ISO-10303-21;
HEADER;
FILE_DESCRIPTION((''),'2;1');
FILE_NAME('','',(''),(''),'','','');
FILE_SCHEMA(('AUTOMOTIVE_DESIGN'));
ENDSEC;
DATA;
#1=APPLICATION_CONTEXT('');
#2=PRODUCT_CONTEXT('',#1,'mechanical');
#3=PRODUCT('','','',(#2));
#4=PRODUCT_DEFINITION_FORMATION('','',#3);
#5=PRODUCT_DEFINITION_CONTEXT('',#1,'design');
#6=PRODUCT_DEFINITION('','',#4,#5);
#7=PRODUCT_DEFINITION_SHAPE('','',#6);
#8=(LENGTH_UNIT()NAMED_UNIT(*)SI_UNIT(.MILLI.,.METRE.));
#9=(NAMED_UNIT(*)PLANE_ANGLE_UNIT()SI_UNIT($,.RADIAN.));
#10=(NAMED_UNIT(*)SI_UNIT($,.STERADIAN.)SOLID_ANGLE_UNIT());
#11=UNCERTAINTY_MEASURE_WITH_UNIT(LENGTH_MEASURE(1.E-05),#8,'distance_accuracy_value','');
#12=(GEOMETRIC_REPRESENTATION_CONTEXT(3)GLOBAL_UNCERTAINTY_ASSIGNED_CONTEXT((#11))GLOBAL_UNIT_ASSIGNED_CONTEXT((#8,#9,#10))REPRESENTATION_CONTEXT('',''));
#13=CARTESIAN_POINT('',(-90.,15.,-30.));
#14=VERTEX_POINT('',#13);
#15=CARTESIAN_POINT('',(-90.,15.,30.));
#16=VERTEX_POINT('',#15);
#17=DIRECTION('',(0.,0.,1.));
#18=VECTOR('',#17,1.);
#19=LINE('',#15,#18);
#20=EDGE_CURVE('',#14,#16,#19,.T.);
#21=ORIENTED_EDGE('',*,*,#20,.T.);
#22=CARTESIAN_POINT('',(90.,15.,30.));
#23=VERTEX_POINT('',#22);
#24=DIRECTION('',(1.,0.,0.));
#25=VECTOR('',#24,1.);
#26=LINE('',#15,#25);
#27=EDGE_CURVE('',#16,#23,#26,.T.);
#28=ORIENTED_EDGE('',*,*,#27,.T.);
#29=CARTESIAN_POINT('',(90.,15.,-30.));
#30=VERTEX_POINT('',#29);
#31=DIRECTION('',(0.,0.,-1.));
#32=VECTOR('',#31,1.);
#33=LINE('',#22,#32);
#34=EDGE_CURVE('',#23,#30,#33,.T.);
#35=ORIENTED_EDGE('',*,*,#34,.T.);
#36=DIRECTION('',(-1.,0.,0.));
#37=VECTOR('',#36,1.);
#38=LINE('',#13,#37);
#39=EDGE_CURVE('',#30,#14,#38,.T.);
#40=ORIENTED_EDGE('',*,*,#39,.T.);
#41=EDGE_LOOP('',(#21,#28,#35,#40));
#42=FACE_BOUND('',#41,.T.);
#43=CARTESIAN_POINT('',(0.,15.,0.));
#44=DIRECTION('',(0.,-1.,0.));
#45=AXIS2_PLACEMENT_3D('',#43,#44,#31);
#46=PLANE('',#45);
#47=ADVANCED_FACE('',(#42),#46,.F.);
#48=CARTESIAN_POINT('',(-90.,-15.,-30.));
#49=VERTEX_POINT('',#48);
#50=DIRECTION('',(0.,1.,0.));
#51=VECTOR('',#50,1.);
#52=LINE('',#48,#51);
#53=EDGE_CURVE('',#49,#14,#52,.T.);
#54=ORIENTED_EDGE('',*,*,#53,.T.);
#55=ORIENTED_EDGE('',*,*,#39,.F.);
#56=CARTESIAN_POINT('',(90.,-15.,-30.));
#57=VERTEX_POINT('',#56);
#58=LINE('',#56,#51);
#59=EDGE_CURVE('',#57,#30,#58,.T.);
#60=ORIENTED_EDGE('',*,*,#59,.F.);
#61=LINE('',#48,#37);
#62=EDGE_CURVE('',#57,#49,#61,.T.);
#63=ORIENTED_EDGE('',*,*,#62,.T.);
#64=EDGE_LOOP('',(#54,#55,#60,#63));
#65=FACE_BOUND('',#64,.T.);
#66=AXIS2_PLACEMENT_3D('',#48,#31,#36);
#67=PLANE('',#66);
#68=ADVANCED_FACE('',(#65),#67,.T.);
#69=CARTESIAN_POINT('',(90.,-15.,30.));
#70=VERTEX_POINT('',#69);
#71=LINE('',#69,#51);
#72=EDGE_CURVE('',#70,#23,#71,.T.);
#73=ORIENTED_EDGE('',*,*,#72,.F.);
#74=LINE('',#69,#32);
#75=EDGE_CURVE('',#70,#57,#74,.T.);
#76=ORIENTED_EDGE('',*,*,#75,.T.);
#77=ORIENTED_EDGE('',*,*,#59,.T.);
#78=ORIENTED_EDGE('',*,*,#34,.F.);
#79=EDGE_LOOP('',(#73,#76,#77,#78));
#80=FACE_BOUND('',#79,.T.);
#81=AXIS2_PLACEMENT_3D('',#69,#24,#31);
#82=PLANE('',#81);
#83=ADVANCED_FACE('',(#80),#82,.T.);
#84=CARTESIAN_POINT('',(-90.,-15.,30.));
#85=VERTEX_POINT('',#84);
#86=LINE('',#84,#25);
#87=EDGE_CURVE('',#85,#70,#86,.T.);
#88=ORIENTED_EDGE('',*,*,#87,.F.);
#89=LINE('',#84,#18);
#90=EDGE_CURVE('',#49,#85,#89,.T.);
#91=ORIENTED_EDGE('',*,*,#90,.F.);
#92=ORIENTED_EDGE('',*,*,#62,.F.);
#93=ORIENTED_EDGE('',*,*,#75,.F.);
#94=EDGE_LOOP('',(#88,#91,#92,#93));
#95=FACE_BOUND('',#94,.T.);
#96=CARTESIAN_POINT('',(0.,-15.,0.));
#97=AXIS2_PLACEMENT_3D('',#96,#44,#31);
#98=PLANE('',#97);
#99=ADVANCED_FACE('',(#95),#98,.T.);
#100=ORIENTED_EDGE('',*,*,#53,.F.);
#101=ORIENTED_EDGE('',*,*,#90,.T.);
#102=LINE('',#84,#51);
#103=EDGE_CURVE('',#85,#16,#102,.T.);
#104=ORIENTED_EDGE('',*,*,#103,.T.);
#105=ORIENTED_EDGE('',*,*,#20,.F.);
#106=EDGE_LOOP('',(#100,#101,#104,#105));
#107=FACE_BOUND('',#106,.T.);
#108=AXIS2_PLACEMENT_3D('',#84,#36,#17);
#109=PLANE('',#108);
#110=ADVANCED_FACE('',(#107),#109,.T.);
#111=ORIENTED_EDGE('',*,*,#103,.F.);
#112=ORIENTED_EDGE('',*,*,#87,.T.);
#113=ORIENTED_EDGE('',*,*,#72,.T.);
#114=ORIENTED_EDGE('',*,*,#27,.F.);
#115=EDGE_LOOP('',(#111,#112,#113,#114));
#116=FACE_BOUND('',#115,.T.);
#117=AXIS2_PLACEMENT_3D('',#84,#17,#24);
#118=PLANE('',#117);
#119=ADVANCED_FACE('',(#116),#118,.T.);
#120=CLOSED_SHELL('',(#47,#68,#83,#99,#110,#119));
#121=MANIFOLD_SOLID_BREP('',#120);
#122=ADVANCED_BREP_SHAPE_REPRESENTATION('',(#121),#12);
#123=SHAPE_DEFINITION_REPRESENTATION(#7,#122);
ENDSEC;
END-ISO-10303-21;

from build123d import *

# Parameters (mm, degrees)
EXTRUDE_1_DEPTH      = 15
EXTRUDE_1_DEPTH_BACK = 15
SKETCH_1_W           = 180
SKETCH_1_H           = 60


with BuildPart() as part:
    # 草图1 → 凸台-拉伸1 (new, two sides: drawn at the far end of the back side and taken through both)
    with BuildSketch(Plane(origin=(0, 0, 0), x_dir=(1, 0, 0), z_dir=(0, 1, 0)).offset(-EXTRUDE_1_DEPTH_BACK)):
        Rectangle(SKETCH_1_W, SKETCH_1_H)
    extrude(amount=EXTRUDE_1_DEPTH + EXTRUDE_1_DEPTH_BACK)


solid = part.part
